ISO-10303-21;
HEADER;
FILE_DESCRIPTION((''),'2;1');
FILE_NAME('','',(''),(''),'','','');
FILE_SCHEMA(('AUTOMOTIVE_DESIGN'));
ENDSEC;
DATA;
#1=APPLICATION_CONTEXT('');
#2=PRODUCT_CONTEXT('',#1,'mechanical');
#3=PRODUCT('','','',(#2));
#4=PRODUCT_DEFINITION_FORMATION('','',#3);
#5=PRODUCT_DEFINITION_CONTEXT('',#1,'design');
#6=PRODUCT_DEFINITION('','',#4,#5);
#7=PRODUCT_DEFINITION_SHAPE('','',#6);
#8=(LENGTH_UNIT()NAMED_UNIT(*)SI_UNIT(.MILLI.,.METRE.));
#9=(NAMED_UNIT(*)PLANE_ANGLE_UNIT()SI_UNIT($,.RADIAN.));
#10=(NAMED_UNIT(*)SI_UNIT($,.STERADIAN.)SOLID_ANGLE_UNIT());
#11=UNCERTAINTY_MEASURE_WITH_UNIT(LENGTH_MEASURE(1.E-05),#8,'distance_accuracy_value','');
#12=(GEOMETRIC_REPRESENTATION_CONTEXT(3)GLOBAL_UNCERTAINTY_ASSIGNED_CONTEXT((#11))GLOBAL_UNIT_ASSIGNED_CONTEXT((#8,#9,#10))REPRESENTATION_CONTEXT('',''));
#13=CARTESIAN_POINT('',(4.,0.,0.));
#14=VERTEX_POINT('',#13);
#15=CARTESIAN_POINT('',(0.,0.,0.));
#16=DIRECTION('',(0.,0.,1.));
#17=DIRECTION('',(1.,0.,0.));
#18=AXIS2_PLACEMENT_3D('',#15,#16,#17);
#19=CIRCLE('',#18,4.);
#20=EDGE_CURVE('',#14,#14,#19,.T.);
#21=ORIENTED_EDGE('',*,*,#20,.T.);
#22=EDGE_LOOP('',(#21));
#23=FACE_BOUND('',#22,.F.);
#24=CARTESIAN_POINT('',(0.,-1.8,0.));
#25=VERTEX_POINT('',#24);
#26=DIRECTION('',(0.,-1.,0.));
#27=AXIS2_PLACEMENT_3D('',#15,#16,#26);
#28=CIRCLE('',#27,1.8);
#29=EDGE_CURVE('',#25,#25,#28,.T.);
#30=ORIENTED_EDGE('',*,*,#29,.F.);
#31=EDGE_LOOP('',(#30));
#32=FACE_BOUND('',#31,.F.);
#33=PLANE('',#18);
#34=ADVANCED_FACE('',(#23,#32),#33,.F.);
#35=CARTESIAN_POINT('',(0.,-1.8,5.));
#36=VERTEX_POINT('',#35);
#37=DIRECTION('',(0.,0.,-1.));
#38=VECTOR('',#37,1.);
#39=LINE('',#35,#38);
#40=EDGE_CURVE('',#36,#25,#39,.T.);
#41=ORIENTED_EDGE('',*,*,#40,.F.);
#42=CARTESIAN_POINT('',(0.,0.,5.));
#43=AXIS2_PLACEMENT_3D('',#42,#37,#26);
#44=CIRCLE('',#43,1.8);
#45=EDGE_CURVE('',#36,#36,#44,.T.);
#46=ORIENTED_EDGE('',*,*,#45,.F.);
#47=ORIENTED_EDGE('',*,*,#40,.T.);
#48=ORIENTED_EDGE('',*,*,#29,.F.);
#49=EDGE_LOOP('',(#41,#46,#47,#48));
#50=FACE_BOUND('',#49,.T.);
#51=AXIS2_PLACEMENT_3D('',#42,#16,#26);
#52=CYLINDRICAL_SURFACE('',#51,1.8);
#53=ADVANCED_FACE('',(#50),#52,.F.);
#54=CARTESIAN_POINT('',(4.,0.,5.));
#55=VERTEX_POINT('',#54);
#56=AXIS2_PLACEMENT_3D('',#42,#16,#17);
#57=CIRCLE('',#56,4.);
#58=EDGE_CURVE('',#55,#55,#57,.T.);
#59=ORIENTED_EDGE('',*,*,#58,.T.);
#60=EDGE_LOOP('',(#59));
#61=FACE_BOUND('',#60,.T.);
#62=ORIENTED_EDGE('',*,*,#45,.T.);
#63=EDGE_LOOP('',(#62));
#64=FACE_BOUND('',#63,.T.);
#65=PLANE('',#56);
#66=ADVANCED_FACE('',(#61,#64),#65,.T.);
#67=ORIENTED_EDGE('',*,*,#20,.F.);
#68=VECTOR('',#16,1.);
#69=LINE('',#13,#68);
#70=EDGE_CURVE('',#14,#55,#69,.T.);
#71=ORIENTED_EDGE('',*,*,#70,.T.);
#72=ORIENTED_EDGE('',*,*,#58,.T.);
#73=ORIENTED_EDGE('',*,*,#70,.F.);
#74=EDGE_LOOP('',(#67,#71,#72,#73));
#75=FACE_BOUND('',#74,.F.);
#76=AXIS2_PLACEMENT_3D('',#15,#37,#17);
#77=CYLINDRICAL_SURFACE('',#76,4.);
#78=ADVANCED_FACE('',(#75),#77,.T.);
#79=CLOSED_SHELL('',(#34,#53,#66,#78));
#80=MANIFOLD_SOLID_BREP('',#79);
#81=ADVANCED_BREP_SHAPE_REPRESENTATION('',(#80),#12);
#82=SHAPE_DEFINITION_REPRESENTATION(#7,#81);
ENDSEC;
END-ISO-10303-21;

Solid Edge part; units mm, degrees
sketch "Sketch1" plane through (0, 0, 0) normal (0, 0, 1) x (1, 0, 0)
  circle A0 centre (0, 0) radius 4
  dimension "D1" = 8
extrude "Protrusion1" add sketch "Sketch1" along normal blind 5
hole "Hole___body" at (0, 0, 5) direction (0, 0, -1) diameter 3.6 end up to next
properties material "ABS Plastic, high impact"
